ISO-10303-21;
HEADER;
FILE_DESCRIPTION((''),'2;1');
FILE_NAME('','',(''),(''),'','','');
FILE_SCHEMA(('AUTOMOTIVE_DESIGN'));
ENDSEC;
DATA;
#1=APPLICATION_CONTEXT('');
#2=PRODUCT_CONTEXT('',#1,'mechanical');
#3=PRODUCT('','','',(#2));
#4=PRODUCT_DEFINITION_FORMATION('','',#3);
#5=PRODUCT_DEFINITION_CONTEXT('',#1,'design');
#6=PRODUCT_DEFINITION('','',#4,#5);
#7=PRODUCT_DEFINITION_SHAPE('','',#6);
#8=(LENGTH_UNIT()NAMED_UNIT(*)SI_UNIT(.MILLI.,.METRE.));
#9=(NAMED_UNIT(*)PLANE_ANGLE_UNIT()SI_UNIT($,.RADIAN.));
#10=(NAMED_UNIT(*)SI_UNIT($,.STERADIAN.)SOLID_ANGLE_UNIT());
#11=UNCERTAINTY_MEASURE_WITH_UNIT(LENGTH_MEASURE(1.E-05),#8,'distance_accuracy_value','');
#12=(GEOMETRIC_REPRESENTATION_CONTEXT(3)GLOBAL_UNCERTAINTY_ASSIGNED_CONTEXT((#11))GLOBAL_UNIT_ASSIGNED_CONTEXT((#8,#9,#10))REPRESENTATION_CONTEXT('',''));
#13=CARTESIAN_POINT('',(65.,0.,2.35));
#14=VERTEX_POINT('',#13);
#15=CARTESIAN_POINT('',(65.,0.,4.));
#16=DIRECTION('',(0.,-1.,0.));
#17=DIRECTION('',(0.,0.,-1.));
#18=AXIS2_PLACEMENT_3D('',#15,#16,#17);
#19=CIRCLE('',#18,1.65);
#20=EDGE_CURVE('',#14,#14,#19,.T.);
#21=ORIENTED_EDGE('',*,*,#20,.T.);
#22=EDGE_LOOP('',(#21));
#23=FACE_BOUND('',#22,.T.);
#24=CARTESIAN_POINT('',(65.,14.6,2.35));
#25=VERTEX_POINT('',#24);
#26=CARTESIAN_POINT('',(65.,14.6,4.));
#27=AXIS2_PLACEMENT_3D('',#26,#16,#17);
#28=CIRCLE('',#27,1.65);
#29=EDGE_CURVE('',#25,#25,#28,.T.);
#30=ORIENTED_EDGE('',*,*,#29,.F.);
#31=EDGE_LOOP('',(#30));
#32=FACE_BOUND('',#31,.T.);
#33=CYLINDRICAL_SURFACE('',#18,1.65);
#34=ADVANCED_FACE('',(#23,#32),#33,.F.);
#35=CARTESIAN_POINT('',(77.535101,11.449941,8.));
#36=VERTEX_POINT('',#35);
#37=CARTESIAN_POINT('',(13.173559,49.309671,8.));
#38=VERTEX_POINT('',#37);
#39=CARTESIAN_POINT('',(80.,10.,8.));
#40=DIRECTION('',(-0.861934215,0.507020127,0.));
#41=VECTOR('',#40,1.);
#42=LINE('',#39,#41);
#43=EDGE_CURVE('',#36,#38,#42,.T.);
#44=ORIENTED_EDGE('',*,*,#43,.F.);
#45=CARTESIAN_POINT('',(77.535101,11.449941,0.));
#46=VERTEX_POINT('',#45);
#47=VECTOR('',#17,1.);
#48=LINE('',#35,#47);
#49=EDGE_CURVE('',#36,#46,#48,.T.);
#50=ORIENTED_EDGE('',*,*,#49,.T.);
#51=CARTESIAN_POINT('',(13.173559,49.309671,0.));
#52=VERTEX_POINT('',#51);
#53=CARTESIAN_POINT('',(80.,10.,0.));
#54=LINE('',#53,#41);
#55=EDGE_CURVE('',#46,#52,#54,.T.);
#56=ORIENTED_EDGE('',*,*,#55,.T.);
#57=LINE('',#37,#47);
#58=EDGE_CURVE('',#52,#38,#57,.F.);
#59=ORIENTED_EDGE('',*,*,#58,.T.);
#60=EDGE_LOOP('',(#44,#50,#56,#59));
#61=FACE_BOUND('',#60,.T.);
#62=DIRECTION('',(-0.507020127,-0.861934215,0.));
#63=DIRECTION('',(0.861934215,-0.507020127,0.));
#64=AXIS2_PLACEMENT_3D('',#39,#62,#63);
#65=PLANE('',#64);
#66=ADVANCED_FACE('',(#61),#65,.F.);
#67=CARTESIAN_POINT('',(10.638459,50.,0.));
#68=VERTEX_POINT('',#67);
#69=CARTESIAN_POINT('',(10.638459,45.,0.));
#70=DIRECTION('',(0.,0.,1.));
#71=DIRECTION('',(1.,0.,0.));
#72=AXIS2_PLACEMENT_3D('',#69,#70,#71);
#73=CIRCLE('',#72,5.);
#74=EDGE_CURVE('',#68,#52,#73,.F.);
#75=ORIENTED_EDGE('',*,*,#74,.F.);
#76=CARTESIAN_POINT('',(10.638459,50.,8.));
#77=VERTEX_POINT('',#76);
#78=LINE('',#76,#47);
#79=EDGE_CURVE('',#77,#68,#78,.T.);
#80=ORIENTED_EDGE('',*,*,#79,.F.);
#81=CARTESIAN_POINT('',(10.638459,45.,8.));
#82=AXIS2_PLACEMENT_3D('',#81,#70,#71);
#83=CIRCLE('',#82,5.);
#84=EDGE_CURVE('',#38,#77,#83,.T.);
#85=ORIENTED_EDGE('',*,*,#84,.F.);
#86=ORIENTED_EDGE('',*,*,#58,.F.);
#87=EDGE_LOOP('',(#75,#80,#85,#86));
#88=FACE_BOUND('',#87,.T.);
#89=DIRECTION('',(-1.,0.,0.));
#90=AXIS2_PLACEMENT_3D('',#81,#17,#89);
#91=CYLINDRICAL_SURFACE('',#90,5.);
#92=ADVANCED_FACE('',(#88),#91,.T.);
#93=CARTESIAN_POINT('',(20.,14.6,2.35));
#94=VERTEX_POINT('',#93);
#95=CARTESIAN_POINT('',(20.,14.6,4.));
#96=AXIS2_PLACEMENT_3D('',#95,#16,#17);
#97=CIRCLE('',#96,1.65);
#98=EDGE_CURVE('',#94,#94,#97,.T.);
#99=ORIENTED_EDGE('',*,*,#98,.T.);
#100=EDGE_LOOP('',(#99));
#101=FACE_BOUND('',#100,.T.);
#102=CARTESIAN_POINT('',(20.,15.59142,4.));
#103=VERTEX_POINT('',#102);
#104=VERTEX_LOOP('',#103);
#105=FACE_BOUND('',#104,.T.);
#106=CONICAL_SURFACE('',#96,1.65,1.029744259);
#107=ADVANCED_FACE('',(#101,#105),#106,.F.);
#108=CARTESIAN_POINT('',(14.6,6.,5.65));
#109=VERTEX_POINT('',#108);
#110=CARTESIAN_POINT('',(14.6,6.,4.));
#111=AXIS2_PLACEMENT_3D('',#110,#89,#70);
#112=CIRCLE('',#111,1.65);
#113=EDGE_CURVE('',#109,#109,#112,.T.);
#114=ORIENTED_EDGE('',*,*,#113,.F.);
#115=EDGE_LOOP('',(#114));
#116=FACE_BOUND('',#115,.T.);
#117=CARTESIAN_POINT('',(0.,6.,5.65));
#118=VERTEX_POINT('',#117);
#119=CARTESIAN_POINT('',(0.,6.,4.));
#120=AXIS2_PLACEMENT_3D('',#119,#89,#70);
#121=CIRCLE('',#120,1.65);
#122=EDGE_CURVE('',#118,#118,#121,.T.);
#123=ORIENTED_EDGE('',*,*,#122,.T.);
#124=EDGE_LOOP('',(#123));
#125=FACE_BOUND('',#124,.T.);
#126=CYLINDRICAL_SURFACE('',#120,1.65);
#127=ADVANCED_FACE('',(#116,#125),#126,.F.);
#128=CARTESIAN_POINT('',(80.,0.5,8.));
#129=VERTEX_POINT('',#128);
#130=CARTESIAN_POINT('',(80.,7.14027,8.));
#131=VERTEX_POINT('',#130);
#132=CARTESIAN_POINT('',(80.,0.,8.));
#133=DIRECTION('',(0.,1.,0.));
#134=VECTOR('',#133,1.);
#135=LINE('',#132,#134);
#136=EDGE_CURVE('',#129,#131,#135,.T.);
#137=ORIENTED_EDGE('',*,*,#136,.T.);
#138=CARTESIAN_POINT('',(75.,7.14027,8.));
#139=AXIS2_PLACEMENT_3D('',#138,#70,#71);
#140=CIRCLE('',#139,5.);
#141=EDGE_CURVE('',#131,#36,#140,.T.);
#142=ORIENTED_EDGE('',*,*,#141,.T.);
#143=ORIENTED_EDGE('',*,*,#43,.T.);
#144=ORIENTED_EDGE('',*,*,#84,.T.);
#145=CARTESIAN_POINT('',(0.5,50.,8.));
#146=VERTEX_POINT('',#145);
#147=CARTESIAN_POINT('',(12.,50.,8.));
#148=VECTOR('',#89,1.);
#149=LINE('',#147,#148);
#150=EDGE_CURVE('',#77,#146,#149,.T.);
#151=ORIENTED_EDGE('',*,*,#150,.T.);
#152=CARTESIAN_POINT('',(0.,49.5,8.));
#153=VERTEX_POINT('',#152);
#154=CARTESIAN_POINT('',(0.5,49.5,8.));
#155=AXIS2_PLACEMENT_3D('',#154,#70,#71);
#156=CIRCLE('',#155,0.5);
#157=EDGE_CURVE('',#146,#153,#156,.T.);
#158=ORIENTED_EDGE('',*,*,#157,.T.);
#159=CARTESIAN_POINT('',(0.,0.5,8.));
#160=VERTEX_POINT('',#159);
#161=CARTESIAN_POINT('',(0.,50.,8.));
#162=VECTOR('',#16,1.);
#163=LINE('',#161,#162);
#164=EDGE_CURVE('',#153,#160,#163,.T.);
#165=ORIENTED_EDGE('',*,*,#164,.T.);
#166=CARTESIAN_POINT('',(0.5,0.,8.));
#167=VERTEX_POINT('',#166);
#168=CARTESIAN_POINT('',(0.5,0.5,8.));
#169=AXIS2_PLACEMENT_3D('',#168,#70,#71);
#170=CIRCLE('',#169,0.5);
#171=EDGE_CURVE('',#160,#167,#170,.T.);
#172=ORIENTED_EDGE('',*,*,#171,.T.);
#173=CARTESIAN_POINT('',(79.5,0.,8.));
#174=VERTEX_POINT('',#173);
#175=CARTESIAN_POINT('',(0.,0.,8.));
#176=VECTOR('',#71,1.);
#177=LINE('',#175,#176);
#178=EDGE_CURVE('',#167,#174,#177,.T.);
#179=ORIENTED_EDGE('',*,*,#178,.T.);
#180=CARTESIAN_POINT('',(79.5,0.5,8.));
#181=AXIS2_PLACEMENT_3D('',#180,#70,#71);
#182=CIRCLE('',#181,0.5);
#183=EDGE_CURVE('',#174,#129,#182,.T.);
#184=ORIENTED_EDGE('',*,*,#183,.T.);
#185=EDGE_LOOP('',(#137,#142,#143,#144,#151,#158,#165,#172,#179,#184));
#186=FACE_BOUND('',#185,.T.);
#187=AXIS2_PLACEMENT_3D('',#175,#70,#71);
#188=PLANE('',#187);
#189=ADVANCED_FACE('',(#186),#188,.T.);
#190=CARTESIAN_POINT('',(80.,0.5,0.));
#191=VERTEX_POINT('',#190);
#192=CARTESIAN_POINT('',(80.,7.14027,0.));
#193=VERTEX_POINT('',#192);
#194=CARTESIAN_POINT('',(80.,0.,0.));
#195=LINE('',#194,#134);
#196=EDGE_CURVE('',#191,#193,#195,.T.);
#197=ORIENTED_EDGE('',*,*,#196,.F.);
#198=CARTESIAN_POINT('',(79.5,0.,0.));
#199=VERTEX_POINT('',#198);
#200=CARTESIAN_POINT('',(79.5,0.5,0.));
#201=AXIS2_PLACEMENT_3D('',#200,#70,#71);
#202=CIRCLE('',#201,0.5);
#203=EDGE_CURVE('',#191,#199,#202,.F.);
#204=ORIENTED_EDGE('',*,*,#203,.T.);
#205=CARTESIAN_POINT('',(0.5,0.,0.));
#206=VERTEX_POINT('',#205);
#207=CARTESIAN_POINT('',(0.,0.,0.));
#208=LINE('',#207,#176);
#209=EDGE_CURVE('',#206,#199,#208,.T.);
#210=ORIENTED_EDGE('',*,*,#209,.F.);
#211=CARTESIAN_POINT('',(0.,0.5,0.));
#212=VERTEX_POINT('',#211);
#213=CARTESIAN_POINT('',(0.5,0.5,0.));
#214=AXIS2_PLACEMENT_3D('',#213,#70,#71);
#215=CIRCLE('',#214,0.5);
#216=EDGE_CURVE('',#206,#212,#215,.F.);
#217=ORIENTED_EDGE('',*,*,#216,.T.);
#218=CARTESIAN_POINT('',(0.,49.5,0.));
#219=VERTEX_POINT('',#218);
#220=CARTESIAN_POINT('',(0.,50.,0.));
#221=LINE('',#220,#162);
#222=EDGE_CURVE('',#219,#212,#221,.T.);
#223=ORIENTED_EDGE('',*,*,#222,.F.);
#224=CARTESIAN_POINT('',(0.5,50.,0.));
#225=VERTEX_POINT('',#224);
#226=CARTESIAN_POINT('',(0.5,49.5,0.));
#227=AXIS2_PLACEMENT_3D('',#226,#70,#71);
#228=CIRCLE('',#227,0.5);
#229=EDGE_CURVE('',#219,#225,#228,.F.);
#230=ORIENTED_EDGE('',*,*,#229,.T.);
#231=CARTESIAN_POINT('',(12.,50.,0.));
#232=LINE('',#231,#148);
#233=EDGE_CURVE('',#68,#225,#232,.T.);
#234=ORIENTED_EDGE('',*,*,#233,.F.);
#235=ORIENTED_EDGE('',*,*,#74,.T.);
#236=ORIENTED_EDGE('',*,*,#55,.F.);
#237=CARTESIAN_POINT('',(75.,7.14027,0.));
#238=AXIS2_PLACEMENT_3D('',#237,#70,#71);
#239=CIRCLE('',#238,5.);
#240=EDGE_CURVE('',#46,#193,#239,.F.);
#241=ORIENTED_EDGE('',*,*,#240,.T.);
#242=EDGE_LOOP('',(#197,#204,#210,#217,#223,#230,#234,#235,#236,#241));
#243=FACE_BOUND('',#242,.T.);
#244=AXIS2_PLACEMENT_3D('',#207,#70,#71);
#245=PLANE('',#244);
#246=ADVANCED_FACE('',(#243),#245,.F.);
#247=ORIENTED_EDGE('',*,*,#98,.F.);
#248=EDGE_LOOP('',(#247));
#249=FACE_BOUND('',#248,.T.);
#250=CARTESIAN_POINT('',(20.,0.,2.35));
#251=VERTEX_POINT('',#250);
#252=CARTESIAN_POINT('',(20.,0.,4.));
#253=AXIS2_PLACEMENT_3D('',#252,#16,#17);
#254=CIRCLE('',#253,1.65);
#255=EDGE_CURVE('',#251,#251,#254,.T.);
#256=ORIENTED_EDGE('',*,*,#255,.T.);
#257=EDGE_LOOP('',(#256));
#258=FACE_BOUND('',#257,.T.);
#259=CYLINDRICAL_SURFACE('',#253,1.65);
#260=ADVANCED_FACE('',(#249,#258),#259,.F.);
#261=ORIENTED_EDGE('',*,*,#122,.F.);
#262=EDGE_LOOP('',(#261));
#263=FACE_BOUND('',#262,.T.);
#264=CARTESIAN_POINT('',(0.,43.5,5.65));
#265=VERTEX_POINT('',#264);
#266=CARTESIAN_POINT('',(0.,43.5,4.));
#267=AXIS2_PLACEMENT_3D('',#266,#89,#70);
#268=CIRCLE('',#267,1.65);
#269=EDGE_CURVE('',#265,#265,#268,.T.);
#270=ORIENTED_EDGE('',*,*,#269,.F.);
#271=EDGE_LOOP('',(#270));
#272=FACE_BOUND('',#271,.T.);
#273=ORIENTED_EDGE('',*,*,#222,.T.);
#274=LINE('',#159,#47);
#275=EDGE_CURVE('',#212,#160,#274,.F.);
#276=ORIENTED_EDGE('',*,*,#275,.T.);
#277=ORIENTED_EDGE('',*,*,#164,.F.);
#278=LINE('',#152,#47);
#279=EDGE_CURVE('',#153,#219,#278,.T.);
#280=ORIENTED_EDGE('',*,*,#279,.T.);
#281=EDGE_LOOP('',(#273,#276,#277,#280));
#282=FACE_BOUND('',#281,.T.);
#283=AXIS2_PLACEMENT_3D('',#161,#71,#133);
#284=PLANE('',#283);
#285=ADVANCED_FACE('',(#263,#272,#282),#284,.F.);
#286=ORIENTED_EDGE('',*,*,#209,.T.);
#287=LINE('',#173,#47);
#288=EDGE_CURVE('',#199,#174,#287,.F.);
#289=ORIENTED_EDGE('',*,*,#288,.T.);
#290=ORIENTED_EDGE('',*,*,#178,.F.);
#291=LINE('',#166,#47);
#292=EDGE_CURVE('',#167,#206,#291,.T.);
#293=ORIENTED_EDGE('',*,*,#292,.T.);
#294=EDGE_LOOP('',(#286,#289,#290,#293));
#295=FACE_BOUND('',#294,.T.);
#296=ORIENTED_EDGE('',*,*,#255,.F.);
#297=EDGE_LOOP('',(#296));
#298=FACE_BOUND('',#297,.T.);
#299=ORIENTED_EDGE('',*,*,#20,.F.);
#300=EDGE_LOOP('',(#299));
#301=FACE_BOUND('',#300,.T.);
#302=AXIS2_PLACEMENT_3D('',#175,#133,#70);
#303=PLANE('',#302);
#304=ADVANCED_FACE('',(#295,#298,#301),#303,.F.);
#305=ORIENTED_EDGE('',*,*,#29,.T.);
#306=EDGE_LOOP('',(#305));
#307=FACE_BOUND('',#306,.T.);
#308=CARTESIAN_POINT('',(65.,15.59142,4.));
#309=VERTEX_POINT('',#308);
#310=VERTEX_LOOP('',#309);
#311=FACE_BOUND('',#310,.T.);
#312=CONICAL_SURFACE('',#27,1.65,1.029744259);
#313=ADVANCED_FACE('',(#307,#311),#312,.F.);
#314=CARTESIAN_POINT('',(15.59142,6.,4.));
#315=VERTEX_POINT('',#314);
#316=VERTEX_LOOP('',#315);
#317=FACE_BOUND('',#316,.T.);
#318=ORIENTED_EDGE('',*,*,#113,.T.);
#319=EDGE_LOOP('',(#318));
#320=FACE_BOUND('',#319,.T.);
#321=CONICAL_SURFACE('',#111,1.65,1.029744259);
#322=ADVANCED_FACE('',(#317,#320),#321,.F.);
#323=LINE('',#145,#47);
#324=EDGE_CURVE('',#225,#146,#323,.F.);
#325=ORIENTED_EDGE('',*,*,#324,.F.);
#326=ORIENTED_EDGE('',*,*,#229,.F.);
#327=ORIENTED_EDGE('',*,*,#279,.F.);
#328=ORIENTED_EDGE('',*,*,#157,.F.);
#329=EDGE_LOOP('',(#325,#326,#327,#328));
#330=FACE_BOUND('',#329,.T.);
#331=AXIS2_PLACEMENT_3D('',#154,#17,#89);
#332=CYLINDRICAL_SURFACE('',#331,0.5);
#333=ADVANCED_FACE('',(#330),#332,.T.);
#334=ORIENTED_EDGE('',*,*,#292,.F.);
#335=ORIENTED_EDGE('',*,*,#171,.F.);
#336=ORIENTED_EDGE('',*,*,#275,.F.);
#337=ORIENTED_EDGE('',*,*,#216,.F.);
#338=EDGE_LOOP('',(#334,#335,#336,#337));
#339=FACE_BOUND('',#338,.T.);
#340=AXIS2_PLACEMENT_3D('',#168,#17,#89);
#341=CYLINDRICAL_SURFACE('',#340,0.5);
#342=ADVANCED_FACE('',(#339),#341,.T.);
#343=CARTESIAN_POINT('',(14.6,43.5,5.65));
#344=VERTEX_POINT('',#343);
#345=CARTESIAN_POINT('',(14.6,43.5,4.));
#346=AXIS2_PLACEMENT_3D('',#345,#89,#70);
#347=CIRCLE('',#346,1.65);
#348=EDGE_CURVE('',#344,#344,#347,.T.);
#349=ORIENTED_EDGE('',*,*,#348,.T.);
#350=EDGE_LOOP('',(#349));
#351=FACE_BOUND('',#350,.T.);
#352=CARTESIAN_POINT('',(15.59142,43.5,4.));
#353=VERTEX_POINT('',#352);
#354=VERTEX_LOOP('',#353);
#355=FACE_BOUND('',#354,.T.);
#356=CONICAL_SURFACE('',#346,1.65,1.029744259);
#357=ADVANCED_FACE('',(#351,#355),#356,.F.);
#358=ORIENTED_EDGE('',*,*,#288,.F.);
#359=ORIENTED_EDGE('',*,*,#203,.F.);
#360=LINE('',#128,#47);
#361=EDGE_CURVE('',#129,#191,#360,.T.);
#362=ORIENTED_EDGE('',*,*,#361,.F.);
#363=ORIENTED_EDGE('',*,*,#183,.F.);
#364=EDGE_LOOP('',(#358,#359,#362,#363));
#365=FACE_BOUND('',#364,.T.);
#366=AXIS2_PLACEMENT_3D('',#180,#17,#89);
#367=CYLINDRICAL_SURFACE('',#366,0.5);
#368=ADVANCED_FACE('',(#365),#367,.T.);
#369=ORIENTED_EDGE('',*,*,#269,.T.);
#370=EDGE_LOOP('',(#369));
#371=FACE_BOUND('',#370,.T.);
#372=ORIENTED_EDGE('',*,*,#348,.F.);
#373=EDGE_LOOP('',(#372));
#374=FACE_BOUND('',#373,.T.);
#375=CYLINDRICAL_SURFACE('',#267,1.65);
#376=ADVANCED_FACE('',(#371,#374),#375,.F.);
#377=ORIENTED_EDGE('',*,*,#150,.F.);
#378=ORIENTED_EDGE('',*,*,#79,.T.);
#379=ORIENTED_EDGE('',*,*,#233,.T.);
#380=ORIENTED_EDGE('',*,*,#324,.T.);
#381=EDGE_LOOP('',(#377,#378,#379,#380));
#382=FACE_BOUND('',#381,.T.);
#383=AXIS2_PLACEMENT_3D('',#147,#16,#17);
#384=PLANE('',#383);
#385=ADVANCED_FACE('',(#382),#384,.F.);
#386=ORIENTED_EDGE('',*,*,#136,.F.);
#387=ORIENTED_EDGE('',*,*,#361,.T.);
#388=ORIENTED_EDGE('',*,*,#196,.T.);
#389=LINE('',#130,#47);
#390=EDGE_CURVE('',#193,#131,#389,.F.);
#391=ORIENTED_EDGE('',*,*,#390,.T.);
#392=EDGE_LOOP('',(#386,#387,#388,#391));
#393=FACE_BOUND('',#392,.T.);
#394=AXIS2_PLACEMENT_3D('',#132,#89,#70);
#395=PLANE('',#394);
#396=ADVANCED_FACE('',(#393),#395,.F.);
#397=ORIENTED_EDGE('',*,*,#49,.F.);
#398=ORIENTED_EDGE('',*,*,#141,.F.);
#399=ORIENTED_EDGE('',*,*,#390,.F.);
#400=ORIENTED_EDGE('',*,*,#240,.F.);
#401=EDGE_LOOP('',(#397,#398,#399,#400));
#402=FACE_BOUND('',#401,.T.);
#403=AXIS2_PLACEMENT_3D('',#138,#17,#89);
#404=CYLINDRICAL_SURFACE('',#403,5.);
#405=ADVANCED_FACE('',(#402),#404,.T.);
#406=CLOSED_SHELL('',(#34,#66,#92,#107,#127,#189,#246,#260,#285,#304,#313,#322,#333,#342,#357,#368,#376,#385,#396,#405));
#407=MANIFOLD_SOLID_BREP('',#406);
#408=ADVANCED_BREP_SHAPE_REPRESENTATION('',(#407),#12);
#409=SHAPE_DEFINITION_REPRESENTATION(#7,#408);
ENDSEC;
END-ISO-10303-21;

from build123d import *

# Parameters (mm, degrees)
BOSS_EXTRUDE1_DEPTH   = 8
FILLET1_R             = 5
FILLET3_R             = 0.5
M4_TAPPED_HOLE1_D     = 3.3
M4_TAPPED_HOLE1_DEPTH = 14.6
M4_TAPPED_HOLE1_TIP   = 0.991420021
M4_TAPPED_HOLE2_D     = 3.3
M4_TAPPED_HOLE2_DEPTH = 14.6
M4_TAPPED_HOLE2_TIP   = 0.991420021


with BuildPart() as part:
    # Sketch1 → Boss-Extrude1 (new body)
    with BuildSketch(Plane.XY):
        Polygon((0, 0), (80, 0), (80, 10), (12, 50), (0, 50), align=None)
    extrude(amount=BOSS_EXTRUDE1_DEPTH)

    # Fillet1
    fillet1_edges = [part.edges().sort_by_distance(p)[0] for p in [
        (12, 50, 4),
        (80, 10, 4),
    ]]
    fillet(fillet1_edges, radius=FILLET1_R)

    # Fillet3
    fillet3_edges = [part.edges().sort_by_distance(p)[0] for p in [
        (0, 50, 4),
        (80, 0, 4),
        (0, 0, 4),
    ]]
    fillet(fillet3_edges, radius=FILLET3_R)

    # M4 Tapped Hole1
    with Locations(Plane.ZY):
        with Locations((4, 43.5), (4, 6)):
            Hole(M4_TAPPED_HOLE1_D / 2, depth=M4_TAPPED_HOLE1_DEPTH)
            with Locations((0, 0, -(M4_TAPPED_HOLE1_DEPTH + M4_TAPPED_HOLE1_TIP / 2))):  # 118° drill point
                Cone(0, M4_TAPPED_HOLE1_D / 2, M4_TAPPED_HOLE1_TIP, mode=Mode.SUBTRACT)

    # M4 Tapped Hole2
    with Locations(Plane(origin=(0, 0, 0), x_dir=(-1, 0, 0), z_dir=(0, -1, 0))):
        with Locations((-20, -4), (-65, -4)):
            Hole(M4_TAPPED_HOLE2_D / 2, depth=M4_TAPPED_HOLE2_DEPTH)
            with Locations((0, 0, -(M4_TAPPED_HOLE2_DEPTH + M4_TAPPED_HOLE2_TIP / 2))):  # 118° drill point
                Cone(0, M4_TAPPED_HOLE2_D / 2, M4_TAPPED_HOLE2_TIP, mode=Mode.SUBTRACT)


solid = part.part
